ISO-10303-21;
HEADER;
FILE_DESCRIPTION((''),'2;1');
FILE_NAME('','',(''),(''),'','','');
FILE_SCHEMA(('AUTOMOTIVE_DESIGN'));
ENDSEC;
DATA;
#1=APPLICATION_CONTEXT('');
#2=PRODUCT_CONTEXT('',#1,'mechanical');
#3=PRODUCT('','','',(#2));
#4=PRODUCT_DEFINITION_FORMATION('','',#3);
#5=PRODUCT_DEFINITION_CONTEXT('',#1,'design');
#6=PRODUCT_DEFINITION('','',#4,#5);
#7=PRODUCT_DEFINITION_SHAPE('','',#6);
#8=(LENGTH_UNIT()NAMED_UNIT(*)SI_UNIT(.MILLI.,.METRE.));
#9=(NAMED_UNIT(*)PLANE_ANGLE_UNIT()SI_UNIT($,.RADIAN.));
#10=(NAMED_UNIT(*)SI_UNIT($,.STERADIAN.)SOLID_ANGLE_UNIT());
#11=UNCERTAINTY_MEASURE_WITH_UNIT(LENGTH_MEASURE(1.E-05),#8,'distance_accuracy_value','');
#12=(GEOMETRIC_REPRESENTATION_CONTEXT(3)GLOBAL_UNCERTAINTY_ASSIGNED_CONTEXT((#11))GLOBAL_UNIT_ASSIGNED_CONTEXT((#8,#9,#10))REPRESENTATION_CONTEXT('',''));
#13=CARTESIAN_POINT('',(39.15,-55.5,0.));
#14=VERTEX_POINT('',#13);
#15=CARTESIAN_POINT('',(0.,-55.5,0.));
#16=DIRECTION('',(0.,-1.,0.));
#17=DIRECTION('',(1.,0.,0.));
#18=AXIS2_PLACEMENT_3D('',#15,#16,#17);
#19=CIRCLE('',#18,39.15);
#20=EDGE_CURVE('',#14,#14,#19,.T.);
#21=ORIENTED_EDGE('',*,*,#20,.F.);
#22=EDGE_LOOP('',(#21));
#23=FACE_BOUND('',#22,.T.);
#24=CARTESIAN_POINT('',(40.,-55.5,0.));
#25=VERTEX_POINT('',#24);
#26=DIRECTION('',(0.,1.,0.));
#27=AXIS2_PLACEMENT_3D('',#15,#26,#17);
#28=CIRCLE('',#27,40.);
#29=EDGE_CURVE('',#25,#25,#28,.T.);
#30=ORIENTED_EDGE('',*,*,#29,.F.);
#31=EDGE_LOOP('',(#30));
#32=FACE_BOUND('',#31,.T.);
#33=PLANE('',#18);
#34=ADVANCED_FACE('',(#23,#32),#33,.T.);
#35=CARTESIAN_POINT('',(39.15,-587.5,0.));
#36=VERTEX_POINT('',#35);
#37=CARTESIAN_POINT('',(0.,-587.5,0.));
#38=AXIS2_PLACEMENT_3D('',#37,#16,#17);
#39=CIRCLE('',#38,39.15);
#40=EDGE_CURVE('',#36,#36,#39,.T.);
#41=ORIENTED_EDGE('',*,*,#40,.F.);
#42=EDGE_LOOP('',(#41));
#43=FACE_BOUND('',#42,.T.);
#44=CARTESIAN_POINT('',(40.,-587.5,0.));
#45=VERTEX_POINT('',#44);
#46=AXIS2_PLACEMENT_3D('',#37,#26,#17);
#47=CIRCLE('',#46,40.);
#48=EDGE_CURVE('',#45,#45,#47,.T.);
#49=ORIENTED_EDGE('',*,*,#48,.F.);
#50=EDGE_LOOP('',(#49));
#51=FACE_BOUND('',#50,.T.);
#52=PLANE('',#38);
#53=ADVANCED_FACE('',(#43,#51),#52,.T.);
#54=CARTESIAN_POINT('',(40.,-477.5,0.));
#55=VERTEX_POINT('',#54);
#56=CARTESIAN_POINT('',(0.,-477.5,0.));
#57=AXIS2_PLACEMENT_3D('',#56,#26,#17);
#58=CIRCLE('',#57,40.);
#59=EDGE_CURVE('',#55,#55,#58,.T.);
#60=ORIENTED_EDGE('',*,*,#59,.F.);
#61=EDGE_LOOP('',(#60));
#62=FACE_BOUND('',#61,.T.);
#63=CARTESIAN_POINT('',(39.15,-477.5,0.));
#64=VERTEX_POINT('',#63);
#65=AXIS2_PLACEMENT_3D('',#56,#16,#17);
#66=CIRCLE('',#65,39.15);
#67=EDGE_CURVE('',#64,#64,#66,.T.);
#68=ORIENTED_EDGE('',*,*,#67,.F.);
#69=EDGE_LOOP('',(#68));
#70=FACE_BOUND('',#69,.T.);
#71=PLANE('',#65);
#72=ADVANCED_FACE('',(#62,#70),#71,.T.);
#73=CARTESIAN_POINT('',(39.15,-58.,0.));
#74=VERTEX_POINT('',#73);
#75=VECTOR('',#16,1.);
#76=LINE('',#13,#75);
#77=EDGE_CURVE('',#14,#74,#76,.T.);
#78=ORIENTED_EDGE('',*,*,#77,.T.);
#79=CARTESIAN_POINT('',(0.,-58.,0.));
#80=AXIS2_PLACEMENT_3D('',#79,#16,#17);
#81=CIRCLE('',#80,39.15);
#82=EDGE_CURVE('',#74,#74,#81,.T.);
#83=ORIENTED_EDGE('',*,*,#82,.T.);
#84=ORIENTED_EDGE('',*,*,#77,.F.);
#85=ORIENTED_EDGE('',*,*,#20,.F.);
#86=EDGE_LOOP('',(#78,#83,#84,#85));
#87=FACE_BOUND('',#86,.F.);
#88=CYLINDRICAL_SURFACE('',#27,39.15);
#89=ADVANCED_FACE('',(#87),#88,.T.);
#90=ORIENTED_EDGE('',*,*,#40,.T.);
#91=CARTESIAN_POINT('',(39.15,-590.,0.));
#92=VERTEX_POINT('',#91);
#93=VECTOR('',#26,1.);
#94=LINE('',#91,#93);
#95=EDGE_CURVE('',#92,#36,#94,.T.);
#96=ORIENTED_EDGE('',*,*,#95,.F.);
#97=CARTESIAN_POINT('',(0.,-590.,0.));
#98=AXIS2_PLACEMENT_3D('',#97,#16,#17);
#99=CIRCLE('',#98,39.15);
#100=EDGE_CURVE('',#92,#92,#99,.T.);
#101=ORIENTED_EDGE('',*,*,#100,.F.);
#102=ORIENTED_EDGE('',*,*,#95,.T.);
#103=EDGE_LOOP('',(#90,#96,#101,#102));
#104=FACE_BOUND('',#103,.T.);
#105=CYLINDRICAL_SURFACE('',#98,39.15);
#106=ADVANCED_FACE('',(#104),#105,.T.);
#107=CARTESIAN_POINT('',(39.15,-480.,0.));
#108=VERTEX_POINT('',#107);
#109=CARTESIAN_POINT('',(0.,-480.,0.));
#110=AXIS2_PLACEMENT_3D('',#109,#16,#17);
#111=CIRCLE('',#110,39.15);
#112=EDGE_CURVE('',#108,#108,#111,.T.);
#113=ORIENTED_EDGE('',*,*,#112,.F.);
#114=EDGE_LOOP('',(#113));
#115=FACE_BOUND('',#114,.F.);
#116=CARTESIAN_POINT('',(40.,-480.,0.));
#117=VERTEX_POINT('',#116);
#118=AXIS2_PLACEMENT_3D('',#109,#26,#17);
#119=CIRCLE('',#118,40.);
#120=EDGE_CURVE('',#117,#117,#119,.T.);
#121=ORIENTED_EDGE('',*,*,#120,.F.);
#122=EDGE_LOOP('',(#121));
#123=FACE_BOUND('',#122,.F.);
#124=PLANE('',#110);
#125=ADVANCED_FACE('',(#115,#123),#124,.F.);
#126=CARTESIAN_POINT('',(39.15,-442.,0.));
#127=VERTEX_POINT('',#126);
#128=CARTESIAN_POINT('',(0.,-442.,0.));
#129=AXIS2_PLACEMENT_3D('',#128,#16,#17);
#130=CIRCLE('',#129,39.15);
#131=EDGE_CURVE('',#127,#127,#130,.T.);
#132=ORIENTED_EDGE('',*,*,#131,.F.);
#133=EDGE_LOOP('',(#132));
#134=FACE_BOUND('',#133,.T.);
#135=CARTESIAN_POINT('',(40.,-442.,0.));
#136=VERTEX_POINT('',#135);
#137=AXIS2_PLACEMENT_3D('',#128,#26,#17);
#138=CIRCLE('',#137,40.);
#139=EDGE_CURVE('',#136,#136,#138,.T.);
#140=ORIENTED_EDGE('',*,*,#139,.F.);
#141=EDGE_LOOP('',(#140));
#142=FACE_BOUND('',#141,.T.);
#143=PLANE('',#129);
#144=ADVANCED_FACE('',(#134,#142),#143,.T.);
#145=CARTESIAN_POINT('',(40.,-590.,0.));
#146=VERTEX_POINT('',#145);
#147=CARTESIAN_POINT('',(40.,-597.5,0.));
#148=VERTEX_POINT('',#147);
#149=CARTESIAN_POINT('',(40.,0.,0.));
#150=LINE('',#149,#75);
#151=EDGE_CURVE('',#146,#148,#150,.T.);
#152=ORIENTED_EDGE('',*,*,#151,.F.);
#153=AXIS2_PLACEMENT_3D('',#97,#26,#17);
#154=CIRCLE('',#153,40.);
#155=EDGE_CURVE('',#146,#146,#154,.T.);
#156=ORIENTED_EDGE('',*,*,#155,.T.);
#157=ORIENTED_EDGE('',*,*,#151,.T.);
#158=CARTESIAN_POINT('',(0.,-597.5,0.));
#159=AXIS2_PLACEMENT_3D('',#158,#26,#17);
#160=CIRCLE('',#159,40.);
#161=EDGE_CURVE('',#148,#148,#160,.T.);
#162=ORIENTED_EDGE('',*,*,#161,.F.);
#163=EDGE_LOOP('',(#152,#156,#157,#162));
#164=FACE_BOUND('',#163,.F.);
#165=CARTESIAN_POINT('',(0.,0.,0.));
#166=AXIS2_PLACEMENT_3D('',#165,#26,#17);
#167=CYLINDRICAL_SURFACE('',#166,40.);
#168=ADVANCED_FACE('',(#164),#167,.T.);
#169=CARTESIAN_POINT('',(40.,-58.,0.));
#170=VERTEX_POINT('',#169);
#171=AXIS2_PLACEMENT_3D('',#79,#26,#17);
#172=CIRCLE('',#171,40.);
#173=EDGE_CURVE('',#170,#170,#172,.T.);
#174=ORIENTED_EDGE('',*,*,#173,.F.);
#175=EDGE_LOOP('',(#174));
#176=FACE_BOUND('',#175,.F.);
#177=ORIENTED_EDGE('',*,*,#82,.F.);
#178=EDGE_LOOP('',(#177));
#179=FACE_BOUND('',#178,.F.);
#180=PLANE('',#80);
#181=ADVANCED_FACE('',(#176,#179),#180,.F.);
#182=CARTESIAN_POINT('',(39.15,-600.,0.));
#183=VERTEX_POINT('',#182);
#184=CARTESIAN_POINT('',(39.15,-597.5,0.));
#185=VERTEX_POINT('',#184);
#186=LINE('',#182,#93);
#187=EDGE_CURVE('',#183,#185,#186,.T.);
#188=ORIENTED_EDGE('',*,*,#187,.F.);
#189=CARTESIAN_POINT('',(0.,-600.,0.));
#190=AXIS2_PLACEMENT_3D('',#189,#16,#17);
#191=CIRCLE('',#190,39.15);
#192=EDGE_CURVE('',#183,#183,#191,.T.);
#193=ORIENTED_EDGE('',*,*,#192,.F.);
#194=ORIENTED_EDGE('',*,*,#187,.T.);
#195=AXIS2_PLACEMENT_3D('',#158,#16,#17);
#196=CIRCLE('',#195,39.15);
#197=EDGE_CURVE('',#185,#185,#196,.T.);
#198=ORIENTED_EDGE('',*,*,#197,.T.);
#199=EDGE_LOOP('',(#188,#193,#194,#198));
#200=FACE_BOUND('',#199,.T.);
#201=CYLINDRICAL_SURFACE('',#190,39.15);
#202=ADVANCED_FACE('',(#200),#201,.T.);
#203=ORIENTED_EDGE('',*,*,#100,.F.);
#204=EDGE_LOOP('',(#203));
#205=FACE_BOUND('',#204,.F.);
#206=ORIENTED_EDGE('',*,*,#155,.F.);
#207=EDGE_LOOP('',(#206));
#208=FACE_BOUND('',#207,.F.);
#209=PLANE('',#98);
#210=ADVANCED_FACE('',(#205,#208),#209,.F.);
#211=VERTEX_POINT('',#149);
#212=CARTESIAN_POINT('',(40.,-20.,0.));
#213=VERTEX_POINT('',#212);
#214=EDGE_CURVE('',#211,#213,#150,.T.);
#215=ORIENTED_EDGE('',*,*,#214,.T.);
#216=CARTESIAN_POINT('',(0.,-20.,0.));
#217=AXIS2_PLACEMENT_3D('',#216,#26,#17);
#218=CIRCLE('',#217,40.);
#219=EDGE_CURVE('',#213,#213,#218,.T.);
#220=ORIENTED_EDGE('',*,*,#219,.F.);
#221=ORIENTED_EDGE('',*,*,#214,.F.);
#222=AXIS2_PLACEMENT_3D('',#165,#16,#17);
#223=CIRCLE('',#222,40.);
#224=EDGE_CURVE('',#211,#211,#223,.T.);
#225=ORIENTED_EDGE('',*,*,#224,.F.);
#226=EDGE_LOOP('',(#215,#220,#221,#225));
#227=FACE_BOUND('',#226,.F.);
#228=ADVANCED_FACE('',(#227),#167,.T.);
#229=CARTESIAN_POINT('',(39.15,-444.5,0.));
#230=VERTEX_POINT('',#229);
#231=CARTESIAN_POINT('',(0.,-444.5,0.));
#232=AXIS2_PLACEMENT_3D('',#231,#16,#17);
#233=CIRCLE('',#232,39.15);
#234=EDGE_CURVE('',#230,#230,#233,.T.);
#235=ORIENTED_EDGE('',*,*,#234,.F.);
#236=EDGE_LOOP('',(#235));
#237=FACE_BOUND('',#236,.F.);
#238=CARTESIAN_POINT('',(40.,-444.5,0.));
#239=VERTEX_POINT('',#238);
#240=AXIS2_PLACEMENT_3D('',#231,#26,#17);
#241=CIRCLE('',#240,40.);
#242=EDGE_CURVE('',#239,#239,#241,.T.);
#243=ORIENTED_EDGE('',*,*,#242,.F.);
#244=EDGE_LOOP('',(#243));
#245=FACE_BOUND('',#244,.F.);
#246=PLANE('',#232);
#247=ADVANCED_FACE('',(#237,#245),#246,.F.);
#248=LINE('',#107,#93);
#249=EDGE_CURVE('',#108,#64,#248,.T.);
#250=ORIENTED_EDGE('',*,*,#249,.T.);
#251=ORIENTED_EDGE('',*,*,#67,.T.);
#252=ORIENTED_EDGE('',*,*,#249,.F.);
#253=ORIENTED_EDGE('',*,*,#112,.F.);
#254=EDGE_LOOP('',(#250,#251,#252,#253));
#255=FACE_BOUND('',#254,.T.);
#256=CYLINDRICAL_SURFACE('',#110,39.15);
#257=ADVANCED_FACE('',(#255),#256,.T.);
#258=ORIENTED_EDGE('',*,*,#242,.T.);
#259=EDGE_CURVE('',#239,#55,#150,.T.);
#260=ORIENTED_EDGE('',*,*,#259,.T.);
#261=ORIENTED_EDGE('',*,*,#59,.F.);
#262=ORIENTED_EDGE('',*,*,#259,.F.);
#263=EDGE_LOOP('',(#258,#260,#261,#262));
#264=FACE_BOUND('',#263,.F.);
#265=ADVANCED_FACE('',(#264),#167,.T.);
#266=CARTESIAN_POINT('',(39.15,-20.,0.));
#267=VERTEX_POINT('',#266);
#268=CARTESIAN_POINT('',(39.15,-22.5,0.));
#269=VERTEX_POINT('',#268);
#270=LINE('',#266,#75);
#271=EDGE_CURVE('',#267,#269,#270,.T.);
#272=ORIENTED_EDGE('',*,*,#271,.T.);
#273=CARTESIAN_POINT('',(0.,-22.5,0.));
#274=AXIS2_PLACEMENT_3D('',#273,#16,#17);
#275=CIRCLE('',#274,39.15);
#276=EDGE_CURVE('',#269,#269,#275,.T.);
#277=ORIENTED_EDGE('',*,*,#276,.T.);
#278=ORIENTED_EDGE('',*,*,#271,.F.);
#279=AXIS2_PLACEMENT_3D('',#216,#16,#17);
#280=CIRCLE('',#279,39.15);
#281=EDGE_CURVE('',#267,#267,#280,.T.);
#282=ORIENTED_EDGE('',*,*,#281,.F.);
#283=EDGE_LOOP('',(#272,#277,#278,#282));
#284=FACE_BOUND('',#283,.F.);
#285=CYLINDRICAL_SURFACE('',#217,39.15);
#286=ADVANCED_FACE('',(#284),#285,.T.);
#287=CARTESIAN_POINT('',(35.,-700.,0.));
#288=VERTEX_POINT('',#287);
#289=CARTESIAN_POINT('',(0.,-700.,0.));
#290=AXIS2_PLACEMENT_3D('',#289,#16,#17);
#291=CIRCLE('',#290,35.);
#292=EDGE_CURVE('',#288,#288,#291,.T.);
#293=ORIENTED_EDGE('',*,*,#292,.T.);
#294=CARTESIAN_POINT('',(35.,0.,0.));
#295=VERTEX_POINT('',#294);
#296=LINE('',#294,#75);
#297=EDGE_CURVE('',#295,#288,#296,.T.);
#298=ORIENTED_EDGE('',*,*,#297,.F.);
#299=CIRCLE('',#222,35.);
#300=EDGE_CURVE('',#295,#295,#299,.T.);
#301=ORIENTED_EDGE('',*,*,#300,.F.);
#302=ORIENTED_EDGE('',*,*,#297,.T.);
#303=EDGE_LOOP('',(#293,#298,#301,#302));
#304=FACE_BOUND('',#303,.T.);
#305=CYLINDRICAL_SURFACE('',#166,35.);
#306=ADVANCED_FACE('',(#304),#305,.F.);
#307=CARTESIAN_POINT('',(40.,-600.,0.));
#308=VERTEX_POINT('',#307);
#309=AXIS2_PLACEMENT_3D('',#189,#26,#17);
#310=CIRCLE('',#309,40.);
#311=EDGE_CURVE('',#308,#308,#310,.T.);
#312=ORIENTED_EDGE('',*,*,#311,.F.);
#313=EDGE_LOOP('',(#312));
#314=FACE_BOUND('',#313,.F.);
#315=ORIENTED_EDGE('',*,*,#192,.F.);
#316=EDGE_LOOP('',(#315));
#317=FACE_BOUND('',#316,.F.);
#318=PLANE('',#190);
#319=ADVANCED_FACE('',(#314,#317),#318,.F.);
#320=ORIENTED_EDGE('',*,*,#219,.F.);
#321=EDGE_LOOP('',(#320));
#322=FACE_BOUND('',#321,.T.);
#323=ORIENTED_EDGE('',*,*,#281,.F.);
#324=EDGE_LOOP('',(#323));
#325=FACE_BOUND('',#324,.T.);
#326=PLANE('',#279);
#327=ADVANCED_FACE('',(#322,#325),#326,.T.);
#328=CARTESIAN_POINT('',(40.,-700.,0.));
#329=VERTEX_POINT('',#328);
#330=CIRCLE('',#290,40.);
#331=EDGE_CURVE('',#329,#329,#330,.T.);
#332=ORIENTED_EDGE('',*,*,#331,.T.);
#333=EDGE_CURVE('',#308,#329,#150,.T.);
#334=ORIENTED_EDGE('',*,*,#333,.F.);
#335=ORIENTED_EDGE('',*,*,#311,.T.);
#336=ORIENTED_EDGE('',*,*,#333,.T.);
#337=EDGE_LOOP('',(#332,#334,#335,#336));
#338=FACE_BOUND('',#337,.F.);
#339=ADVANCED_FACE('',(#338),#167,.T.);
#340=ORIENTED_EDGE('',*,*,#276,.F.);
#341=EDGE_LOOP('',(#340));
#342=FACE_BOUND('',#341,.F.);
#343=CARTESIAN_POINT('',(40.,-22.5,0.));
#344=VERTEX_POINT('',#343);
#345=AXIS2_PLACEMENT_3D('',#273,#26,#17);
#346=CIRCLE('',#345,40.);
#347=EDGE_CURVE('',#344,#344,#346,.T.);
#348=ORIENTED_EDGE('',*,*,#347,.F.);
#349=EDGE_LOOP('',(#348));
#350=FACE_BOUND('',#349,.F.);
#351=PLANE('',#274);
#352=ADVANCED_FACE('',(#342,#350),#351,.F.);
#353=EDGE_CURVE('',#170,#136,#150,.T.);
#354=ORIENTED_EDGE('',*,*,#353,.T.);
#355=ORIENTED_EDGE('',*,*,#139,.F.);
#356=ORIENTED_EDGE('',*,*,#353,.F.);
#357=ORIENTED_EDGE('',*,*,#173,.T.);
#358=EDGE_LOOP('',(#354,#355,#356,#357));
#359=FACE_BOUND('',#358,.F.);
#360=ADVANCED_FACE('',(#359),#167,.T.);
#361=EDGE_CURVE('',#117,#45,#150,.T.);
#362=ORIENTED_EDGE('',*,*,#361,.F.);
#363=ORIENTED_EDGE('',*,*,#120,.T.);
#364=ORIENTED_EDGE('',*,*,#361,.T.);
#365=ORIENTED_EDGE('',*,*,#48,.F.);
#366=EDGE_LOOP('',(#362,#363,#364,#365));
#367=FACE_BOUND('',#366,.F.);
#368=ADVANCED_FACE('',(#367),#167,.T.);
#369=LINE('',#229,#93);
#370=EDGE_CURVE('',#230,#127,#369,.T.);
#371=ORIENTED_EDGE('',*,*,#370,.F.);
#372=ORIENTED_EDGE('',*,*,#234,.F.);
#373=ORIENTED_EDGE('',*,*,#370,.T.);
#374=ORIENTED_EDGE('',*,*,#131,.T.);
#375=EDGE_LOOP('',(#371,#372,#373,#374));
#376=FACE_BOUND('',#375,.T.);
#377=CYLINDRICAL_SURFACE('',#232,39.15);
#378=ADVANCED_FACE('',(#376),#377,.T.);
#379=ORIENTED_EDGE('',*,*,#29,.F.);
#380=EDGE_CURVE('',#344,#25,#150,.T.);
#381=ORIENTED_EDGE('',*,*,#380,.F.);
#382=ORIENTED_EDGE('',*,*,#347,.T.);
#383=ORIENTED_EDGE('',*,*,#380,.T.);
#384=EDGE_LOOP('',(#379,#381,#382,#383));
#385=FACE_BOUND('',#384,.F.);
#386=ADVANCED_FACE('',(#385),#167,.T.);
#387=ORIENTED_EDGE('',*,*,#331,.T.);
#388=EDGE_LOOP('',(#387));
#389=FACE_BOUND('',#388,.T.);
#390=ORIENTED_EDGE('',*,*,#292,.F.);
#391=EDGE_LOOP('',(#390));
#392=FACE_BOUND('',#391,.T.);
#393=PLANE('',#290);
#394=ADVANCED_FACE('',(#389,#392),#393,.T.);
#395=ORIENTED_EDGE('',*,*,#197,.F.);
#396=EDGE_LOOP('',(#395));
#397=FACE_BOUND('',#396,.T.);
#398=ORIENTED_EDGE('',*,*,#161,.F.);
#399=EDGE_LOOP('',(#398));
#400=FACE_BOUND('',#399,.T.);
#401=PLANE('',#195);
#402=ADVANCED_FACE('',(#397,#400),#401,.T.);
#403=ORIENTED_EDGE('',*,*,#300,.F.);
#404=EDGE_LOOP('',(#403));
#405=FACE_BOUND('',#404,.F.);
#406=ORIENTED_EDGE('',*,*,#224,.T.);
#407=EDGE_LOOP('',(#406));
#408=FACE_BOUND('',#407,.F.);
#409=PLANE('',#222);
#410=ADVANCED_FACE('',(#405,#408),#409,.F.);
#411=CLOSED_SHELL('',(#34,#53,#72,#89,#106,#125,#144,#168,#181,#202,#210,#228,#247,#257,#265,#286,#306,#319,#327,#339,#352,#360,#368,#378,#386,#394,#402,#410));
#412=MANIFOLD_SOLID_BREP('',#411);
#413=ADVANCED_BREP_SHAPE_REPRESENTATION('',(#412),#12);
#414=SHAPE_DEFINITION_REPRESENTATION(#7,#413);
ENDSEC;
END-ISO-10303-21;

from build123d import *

# Parameters (mm, degrees)
F0_R      = 40
F0_R_2    = 35
F1_DEPTH  = 700
F3_R      = 44
F3_R_2    = 39.15
F4_DEPTH  = 2.5
F6_R      = 42.5
F6_R_2    = 39.15
F7_DEPTH  = 2.5
F10_R     = 42.5
F10_R_2   = 39.15
F11_DEPTH = 2.5
F13_R     = 42.5
F13_R_2   = 39.15
F14_DEPTH = 2.5
F16_R     = 44
F16_R_2   = 39.15
F17_DEPTH = 2.5
F19_R     = 44
F19_R_2   = 39.15
F20_DEPTH = 2.5


with BuildPart() as f1:
    # F0 (on Front) → F1 (new body)
    with BuildSketch(Plane.XZ):
        Circle(F0_R)
        Circle(F0_R_2, mode=Mode.SUBTRACT)
    extrude(amount=F1_DEPTH)

    # F3 (on offset) → F4 (cut)
    with BuildSketch(Plane.XZ.offset(20)):
        Circle(F3_R)
        Circle(F3_R_2, mode=Mode.SUBTRACT)
    extrude(amount=F4_DEPTH, mode=Mode.SUBTRACT)

    # F6 (on offset) → F7 (cut)
    with BuildSketch(Plane.XZ.offset(55.5)):
        Circle(F6_R)
        Circle(F6_R_2, mode=Mode.SUBTRACT)
    extrude(amount=F7_DEPTH, mode=Mode.SUBTRACT)

    # F10 (on offset) → F11 (cut)
    with BuildSketch(Plane.XZ.offset(480)):
        Circle(F10_R)
        Circle(F10_R_2, mode=Mode.SUBTRACT)
    extrude(amount=-F11_DEPTH, mode=Mode.SUBTRACT)

    # F13 (on offset) → F14 (cut)
    with BuildSketch(Plane.XZ.offset(444.5)):
        Circle(F13_R)
        Circle(F13_R_2, mode=Mode.SUBTRACT)
    extrude(amount=-F14_DEPTH, mode=Mode.SUBTRACT)

    # F16 (on offset) → F17 (cut)
    with BuildSketch(Plane.XZ.offset(590)):
        Circle(F16_R)
        Circle(F16_R_2, mode=Mode.SUBTRACT)
    extrude(amount=-F17_DEPTH, mode=Mode.SUBTRACT)

    # F19 (on offset) → F20 (cut)
    with BuildSketch(Plane.XZ.offset(600)):
        Circle(F19_R)
        Circle(F19_R_2, mode=Mode.SUBTRACT)
    extrude(amount=-F20_DEPTH, mode=Mode.SUBTRACT)


solid = f1.part
